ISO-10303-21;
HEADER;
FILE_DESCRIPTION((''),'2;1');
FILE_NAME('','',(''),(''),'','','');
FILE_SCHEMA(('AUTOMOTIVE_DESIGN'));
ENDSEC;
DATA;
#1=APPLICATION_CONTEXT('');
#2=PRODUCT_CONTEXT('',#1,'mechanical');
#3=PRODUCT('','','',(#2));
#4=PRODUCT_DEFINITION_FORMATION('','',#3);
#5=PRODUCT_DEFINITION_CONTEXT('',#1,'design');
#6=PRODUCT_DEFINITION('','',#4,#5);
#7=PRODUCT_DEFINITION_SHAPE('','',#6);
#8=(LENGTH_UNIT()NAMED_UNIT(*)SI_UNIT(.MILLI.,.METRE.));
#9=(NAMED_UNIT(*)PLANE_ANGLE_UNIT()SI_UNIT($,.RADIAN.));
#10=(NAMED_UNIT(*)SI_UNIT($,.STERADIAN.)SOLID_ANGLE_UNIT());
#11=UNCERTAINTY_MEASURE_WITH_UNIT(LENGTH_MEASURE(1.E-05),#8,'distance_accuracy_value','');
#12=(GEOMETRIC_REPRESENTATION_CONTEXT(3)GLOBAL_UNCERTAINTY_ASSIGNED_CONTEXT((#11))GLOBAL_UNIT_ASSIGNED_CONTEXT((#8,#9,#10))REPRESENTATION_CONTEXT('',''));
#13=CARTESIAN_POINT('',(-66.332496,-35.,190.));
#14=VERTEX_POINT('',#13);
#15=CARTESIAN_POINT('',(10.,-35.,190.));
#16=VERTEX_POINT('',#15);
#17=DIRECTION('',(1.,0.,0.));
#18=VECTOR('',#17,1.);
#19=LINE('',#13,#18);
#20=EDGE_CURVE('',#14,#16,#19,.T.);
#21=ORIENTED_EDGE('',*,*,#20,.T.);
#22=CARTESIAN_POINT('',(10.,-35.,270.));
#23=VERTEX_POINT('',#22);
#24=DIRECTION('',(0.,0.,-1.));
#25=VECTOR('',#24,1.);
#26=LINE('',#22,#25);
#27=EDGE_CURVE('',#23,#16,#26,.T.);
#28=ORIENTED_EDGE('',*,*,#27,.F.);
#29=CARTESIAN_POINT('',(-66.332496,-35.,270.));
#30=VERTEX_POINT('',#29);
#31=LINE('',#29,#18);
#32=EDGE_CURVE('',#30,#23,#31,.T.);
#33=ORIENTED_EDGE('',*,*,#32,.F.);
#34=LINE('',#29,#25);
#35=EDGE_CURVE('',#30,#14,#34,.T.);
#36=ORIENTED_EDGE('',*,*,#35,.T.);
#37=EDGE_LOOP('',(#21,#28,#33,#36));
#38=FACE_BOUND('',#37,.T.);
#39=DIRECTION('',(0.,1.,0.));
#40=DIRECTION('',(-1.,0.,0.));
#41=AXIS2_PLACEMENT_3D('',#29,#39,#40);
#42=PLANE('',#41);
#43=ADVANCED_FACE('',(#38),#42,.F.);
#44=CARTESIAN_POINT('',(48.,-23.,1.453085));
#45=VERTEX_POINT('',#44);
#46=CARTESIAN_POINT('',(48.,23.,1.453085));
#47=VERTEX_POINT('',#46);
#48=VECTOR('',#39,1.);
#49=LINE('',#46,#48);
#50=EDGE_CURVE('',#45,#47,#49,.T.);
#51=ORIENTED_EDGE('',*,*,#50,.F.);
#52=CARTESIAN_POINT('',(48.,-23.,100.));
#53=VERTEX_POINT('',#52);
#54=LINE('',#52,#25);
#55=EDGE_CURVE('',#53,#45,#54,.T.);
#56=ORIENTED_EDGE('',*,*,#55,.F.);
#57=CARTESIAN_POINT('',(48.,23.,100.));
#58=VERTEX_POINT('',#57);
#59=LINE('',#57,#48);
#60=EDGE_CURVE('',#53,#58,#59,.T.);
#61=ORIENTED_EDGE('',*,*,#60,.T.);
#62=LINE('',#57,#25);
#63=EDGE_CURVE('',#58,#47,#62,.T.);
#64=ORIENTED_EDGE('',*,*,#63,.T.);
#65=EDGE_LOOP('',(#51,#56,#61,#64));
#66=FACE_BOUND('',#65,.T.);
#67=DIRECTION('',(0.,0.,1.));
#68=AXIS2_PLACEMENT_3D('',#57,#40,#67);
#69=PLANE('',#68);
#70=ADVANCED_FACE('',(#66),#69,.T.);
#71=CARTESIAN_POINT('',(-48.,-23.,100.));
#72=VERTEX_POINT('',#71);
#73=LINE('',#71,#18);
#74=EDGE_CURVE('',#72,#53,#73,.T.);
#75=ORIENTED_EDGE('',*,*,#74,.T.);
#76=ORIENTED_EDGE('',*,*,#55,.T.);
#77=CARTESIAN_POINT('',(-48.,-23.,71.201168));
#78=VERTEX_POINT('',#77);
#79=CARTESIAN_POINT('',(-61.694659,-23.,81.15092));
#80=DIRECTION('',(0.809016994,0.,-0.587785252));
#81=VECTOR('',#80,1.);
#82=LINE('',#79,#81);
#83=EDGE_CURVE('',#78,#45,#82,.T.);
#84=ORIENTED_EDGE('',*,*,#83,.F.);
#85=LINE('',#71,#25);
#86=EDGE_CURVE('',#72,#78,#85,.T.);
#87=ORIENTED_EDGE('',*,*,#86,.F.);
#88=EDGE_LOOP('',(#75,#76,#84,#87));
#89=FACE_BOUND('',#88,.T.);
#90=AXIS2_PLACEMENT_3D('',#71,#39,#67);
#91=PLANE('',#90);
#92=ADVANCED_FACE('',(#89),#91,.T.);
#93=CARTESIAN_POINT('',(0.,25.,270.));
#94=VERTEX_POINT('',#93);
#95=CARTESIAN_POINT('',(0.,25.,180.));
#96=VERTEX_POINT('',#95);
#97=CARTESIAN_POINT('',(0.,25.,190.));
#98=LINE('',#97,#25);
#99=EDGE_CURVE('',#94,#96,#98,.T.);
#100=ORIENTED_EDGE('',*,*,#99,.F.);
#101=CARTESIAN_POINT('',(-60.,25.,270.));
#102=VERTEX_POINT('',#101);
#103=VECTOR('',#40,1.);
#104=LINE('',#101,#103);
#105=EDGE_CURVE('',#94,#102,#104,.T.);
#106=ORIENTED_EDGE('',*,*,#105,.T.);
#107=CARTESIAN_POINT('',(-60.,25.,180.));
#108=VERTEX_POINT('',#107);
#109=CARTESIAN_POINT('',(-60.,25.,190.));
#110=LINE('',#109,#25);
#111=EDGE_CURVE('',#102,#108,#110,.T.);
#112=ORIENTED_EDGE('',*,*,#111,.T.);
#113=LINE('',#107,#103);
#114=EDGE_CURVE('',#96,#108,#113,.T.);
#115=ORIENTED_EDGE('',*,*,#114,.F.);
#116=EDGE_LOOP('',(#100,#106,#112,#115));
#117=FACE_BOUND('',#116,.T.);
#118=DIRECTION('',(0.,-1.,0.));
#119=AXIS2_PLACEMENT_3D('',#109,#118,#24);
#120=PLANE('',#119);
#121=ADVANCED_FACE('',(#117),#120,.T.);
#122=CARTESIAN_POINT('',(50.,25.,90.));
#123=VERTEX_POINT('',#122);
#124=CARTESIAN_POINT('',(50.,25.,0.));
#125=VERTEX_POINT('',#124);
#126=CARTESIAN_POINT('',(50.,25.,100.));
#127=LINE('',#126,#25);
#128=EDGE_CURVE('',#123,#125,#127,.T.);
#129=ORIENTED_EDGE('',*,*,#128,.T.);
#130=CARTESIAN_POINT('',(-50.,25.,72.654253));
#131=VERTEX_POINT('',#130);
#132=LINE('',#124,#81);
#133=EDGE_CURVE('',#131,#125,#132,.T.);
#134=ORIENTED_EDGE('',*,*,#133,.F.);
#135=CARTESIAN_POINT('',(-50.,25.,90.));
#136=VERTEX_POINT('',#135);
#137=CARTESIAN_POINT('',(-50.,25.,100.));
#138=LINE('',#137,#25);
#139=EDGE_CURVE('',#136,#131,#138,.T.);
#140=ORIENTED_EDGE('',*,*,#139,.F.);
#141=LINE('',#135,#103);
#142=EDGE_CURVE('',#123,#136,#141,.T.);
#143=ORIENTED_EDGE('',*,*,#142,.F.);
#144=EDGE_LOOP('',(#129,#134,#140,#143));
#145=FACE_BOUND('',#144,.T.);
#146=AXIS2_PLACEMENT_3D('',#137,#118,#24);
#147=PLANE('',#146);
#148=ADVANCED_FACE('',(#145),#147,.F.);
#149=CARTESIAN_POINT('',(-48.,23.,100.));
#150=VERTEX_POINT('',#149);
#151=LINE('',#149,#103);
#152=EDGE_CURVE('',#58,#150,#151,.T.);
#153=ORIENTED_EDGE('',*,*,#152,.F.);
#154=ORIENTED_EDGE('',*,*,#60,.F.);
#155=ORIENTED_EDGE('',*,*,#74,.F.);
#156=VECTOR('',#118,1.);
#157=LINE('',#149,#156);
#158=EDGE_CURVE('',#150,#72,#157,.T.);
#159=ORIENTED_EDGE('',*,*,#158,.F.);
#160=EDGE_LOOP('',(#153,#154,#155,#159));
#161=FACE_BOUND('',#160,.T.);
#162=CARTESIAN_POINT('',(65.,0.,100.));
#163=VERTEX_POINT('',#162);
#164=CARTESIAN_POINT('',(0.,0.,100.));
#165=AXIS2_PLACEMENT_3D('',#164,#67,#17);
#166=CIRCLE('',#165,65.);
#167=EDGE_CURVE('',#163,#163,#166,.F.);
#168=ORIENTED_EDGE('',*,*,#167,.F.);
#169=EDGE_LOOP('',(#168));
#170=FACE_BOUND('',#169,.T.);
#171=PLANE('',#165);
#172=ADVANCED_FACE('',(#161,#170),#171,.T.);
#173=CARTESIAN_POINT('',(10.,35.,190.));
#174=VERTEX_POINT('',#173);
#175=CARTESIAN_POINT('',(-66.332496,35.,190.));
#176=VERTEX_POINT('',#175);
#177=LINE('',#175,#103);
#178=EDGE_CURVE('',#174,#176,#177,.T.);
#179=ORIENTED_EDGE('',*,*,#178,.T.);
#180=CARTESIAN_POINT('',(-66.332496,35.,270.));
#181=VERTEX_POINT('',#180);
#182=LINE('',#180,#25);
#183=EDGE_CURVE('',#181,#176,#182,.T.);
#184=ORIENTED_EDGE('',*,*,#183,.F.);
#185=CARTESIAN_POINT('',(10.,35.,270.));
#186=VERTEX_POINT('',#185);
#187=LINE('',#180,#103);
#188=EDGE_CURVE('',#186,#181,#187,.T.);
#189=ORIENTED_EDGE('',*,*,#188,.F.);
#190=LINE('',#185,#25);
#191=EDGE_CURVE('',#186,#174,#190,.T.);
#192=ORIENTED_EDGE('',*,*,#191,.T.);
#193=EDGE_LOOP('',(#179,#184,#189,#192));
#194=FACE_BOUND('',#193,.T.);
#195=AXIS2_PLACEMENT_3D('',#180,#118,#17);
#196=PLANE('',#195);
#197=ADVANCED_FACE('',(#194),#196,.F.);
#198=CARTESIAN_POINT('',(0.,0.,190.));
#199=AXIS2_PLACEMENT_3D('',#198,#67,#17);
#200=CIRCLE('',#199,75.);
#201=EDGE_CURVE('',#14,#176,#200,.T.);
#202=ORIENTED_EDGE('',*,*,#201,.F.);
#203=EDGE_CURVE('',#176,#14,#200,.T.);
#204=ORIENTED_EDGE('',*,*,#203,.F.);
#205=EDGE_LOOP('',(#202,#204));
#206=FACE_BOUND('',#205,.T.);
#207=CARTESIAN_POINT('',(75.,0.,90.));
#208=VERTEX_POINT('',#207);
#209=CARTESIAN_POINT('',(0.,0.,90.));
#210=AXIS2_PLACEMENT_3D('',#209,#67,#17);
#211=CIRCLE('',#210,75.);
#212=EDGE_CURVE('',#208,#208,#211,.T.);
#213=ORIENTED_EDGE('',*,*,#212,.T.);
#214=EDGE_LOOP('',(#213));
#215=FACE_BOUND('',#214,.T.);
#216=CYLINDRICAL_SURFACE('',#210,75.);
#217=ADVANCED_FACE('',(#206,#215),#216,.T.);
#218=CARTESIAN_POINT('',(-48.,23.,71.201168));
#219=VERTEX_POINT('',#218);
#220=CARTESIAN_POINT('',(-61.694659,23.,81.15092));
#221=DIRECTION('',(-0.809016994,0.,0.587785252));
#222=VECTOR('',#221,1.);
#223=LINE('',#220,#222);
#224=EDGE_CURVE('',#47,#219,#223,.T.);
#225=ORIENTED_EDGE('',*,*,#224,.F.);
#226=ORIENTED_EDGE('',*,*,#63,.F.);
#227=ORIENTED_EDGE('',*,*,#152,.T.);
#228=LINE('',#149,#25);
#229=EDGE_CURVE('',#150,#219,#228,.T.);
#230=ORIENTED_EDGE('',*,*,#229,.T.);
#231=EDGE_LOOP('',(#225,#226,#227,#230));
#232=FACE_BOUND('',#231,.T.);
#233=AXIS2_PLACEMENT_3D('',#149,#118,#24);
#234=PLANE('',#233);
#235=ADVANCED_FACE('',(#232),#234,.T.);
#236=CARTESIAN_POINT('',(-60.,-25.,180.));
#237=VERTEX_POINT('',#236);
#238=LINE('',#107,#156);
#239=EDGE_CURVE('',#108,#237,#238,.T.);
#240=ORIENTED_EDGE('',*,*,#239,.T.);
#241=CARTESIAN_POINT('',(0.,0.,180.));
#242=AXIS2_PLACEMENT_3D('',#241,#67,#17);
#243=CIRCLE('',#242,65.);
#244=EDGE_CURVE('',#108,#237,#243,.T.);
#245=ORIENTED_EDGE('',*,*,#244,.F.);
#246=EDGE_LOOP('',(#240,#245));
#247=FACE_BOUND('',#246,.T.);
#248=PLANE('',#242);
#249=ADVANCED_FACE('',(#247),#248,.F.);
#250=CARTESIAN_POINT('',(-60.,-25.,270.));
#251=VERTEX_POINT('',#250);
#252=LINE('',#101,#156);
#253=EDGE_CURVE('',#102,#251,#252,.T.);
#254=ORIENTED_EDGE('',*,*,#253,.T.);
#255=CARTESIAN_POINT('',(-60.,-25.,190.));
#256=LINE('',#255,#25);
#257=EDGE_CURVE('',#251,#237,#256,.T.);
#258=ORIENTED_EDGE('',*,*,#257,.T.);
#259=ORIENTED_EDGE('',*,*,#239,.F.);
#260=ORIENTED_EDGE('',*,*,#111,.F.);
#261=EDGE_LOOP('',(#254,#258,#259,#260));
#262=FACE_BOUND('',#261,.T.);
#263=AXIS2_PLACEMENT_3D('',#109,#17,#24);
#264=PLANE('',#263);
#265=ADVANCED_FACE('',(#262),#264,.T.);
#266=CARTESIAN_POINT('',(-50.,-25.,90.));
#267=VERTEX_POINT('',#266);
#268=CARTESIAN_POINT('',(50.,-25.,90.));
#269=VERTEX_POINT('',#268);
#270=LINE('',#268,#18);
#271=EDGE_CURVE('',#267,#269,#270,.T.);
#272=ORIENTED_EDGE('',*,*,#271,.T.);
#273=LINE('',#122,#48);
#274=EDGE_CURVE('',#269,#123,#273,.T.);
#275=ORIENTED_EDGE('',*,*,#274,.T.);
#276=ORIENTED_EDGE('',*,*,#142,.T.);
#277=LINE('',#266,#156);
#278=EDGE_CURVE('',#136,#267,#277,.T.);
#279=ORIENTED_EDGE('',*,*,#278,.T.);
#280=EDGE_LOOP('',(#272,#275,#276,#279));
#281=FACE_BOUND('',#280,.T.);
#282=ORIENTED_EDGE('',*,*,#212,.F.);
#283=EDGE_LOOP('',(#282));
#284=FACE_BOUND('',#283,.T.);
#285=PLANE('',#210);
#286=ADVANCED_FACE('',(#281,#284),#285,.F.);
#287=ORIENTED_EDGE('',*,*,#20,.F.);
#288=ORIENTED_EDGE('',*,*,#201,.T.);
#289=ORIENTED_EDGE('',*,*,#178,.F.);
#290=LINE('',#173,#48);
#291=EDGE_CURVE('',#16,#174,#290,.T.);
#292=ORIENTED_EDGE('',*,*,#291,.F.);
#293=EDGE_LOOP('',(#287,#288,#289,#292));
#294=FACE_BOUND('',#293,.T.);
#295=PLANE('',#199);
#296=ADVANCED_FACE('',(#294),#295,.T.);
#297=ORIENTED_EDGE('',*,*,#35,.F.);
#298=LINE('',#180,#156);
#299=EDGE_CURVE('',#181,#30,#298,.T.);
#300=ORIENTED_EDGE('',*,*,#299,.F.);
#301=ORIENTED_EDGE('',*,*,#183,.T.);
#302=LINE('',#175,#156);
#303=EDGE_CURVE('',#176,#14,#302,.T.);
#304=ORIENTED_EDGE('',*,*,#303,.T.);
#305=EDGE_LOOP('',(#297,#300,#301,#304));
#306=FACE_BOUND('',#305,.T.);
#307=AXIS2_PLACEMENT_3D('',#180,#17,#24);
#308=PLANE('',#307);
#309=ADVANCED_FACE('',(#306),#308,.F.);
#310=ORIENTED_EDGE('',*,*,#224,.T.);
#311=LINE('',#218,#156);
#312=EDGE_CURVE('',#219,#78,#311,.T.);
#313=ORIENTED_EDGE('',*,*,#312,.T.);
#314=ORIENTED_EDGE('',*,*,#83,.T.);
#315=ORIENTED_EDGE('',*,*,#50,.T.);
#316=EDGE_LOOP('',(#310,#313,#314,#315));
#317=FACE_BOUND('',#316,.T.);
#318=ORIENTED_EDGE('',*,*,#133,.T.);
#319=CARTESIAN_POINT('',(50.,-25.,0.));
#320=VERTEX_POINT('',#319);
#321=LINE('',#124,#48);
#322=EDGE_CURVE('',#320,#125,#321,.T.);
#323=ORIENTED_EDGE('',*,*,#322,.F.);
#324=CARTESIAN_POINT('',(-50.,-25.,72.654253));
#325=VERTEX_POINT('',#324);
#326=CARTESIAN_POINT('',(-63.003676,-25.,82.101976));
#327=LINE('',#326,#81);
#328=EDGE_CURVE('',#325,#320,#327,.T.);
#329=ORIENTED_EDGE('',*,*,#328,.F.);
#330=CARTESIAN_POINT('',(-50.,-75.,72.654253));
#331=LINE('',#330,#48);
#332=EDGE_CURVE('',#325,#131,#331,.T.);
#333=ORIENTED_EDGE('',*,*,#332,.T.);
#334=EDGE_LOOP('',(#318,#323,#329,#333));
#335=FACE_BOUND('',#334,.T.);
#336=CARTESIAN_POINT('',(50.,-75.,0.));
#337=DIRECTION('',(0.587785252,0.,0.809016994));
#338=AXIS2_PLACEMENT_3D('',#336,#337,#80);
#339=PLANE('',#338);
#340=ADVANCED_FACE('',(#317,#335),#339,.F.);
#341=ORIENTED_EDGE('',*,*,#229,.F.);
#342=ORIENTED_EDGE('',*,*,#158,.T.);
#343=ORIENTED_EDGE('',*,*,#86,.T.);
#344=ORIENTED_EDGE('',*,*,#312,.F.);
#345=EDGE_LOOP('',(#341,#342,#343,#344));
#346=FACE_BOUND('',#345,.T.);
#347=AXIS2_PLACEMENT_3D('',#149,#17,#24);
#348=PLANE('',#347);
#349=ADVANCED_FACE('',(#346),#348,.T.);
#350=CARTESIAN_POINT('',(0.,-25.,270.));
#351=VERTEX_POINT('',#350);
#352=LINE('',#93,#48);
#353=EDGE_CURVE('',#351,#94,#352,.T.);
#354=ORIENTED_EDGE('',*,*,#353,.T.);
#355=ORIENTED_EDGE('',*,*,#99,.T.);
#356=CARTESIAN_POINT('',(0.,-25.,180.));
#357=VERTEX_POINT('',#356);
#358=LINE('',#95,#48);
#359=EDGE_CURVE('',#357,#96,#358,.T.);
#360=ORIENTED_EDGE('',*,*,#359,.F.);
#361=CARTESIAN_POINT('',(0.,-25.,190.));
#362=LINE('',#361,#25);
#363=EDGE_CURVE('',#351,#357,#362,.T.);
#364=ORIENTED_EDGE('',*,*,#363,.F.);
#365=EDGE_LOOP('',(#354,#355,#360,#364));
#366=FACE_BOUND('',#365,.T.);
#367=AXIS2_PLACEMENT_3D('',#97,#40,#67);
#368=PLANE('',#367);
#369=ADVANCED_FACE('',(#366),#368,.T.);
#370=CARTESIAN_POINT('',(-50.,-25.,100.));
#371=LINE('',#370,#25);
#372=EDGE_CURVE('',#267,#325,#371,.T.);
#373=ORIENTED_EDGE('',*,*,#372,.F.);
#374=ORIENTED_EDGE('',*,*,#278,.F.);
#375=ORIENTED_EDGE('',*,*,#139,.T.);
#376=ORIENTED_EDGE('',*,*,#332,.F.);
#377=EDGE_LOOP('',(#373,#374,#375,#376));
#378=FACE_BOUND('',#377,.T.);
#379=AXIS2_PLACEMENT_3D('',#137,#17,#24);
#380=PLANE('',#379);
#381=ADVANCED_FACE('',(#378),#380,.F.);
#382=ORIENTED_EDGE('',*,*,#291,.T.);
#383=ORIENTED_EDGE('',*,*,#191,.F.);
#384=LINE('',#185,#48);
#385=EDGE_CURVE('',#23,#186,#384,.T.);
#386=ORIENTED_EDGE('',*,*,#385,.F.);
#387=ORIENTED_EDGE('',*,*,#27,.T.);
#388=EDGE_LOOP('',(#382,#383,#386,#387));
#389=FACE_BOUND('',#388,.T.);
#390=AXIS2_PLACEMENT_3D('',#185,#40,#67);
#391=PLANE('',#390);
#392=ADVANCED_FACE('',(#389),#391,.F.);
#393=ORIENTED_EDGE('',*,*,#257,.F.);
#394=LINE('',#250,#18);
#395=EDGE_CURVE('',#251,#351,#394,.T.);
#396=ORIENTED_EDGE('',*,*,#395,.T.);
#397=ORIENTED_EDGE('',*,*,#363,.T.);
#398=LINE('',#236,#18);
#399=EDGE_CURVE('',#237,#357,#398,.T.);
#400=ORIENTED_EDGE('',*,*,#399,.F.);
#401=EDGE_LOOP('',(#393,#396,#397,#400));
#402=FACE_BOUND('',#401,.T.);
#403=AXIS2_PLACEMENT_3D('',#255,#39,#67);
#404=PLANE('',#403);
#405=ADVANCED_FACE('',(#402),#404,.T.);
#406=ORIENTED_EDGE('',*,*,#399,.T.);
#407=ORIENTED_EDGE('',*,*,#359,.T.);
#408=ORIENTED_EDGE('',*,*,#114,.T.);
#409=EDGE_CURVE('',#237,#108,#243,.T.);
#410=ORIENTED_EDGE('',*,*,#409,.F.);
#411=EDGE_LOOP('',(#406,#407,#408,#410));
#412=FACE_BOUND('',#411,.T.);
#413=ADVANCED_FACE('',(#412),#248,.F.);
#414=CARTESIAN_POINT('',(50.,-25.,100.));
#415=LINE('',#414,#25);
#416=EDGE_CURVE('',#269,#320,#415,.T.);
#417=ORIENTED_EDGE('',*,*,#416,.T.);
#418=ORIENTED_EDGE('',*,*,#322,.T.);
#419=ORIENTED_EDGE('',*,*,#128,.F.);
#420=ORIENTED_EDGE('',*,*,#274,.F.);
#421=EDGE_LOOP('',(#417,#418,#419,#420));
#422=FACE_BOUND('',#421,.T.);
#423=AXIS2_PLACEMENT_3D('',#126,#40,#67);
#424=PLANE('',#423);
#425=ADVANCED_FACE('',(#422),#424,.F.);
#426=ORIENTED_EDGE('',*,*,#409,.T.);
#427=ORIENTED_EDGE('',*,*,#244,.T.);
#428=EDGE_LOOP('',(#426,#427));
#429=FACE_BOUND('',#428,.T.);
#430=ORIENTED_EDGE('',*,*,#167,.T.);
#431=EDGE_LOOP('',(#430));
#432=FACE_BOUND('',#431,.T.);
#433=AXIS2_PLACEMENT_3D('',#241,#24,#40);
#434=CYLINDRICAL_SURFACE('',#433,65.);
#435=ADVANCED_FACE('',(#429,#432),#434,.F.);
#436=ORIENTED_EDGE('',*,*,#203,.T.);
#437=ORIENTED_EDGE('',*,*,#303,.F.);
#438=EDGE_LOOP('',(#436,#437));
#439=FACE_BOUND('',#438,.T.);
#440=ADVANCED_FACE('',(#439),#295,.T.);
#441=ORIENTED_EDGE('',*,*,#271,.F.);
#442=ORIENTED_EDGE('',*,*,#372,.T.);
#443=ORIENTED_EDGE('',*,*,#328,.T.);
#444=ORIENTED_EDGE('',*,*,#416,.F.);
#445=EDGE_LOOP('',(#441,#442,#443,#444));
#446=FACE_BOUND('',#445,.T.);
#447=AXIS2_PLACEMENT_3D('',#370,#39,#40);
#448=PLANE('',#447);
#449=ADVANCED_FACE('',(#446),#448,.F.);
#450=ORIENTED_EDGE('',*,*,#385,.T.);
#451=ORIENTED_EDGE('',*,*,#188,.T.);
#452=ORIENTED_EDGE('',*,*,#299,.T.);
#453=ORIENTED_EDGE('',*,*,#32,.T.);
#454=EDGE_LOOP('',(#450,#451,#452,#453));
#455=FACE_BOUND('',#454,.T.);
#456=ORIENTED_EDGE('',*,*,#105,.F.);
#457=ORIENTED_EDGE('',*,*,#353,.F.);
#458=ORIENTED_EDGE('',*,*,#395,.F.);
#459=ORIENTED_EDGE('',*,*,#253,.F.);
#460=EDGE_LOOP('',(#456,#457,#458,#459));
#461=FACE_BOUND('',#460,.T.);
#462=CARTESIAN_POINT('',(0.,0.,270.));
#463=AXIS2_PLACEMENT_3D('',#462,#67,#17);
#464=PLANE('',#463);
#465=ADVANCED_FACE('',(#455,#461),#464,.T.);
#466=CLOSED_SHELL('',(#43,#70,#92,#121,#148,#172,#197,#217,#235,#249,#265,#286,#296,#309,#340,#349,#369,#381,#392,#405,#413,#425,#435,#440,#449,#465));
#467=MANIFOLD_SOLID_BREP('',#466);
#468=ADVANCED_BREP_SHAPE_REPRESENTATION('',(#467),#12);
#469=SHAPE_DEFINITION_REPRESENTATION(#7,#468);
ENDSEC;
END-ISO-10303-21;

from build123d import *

# Parameters (mm, degrees)
CROQUIS1_W              = 100
CROQUIS1_H              = 50
CROQUIS1_W_2            = 96
CROQUIS1_H_2            = 46
SALIENTE_EXTRUIR1_DEPTH = 100
CORTAR_EXTRUIR1_DEPTH   = 100
CROQUIS3_R              = 75
CROQUIS3_W              = 100
CROQUIS3_H              = 50
SALIENTE_EXTRUIR2_DEPTH = 10
SALIENTE_EXTRUIR3_START = 80
CROQUIS4_R              = 75
CROQUIS4_R_2            = 65
SALIENTE_EXTRUIR3_DEPTH = 80
SALIENTE_EXTRUIR4_START = 10
CROQUIS5_R              = 75
CROQUIS5_W              = 60
CROQUIS5_H              = 50
SALIENTE_EXTRUIR4_DEPTH = 10
CROQUIS6_W              = 76.332495807
CROQUIS6_H              = 70
CROQUIS6_W_2            = 60
CROQUIS6_H_2            = 50
SALIENTE_EXTRUIR5_DEPTH = 80


with BuildPart() as part:
    # Croquis1 → Saliente-Extruir1 (new body)
    with BuildSketch(Plane.XY):
        Rectangle(CROQUIS1_W, CROQUIS1_H)
        Rectangle(CROQUIS1_W_2, CROQUIS1_H_2, mode=Mode.SUBTRACT)
    extrude(amount=SALIENTE_EXTRUIR1_DEPTH)

    # Croquis2 → Cortar-Extruir1 (cut)
    with BuildSketch(Plane(origin=(0, 25, 0), x_dir=(1, 0, 0), z_dir=(0, 1, 0))):
        Polygon((-50, 0), (50, 0), (-50, -72.654252801), align=None)
    extrude(amount=-CORTAR_EXTRUIR1_DEPTH, mode=Mode.SUBTRACT)

    # Croquis3 → Saliente-Extruir2 (add)
    with BuildSketch(Plane.XY.offset(100)):
        Circle(CROQUIS3_R)
        Rectangle(CROQUIS3_W, CROQUIS3_H, mode=Mode.SUBTRACT)
    extrude(amount=-SALIENTE_EXTRUIR2_DEPTH)

    # Croquis4 → Saliente-Extruir3 (add)
    with BuildSketch(Plane.XY.offset(100).offset(SALIENTE_EXTRUIR3_START)):
        Circle(CROQUIS4_R)
        Circle(CROQUIS4_R_2, mode=Mode.SUBTRACT)
    extrude(amount=-SALIENTE_EXTRUIR3_DEPTH)

    # Croquis5 → Saliente-Extruir4 (add)
    with BuildSketch(Plane.XY.offset(180).offset(SALIENTE_EXTRUIR4_START)):
        Circle(CROQUIS5_R)
        with Locations((-30, 0)):
            Rectangle(CROQUIS5_W, CROQUIS5_H, mode=Mode.SUBTRACT)
    extrude(amount=-SALIENTE_EXTRUIR4_DEPTH)

    # Croquis6 → Saliente-Extruir5 (add)
    with BuildSketch(Plane.XY.offset(190)):
        with Locations((-28.166247904, 0)):
            Rectangle(CROQUIS6_W, CROQUIS6_H)
        with Locations((-30, 0)):
            Rectangle(CROQUIS6_W_2, CROQUIS6_H_2, mode=Mode.SUBTRACT)
    extrude(amount=SALIENTE_EXTRUIR5_DEPTH)


solid = part.part
